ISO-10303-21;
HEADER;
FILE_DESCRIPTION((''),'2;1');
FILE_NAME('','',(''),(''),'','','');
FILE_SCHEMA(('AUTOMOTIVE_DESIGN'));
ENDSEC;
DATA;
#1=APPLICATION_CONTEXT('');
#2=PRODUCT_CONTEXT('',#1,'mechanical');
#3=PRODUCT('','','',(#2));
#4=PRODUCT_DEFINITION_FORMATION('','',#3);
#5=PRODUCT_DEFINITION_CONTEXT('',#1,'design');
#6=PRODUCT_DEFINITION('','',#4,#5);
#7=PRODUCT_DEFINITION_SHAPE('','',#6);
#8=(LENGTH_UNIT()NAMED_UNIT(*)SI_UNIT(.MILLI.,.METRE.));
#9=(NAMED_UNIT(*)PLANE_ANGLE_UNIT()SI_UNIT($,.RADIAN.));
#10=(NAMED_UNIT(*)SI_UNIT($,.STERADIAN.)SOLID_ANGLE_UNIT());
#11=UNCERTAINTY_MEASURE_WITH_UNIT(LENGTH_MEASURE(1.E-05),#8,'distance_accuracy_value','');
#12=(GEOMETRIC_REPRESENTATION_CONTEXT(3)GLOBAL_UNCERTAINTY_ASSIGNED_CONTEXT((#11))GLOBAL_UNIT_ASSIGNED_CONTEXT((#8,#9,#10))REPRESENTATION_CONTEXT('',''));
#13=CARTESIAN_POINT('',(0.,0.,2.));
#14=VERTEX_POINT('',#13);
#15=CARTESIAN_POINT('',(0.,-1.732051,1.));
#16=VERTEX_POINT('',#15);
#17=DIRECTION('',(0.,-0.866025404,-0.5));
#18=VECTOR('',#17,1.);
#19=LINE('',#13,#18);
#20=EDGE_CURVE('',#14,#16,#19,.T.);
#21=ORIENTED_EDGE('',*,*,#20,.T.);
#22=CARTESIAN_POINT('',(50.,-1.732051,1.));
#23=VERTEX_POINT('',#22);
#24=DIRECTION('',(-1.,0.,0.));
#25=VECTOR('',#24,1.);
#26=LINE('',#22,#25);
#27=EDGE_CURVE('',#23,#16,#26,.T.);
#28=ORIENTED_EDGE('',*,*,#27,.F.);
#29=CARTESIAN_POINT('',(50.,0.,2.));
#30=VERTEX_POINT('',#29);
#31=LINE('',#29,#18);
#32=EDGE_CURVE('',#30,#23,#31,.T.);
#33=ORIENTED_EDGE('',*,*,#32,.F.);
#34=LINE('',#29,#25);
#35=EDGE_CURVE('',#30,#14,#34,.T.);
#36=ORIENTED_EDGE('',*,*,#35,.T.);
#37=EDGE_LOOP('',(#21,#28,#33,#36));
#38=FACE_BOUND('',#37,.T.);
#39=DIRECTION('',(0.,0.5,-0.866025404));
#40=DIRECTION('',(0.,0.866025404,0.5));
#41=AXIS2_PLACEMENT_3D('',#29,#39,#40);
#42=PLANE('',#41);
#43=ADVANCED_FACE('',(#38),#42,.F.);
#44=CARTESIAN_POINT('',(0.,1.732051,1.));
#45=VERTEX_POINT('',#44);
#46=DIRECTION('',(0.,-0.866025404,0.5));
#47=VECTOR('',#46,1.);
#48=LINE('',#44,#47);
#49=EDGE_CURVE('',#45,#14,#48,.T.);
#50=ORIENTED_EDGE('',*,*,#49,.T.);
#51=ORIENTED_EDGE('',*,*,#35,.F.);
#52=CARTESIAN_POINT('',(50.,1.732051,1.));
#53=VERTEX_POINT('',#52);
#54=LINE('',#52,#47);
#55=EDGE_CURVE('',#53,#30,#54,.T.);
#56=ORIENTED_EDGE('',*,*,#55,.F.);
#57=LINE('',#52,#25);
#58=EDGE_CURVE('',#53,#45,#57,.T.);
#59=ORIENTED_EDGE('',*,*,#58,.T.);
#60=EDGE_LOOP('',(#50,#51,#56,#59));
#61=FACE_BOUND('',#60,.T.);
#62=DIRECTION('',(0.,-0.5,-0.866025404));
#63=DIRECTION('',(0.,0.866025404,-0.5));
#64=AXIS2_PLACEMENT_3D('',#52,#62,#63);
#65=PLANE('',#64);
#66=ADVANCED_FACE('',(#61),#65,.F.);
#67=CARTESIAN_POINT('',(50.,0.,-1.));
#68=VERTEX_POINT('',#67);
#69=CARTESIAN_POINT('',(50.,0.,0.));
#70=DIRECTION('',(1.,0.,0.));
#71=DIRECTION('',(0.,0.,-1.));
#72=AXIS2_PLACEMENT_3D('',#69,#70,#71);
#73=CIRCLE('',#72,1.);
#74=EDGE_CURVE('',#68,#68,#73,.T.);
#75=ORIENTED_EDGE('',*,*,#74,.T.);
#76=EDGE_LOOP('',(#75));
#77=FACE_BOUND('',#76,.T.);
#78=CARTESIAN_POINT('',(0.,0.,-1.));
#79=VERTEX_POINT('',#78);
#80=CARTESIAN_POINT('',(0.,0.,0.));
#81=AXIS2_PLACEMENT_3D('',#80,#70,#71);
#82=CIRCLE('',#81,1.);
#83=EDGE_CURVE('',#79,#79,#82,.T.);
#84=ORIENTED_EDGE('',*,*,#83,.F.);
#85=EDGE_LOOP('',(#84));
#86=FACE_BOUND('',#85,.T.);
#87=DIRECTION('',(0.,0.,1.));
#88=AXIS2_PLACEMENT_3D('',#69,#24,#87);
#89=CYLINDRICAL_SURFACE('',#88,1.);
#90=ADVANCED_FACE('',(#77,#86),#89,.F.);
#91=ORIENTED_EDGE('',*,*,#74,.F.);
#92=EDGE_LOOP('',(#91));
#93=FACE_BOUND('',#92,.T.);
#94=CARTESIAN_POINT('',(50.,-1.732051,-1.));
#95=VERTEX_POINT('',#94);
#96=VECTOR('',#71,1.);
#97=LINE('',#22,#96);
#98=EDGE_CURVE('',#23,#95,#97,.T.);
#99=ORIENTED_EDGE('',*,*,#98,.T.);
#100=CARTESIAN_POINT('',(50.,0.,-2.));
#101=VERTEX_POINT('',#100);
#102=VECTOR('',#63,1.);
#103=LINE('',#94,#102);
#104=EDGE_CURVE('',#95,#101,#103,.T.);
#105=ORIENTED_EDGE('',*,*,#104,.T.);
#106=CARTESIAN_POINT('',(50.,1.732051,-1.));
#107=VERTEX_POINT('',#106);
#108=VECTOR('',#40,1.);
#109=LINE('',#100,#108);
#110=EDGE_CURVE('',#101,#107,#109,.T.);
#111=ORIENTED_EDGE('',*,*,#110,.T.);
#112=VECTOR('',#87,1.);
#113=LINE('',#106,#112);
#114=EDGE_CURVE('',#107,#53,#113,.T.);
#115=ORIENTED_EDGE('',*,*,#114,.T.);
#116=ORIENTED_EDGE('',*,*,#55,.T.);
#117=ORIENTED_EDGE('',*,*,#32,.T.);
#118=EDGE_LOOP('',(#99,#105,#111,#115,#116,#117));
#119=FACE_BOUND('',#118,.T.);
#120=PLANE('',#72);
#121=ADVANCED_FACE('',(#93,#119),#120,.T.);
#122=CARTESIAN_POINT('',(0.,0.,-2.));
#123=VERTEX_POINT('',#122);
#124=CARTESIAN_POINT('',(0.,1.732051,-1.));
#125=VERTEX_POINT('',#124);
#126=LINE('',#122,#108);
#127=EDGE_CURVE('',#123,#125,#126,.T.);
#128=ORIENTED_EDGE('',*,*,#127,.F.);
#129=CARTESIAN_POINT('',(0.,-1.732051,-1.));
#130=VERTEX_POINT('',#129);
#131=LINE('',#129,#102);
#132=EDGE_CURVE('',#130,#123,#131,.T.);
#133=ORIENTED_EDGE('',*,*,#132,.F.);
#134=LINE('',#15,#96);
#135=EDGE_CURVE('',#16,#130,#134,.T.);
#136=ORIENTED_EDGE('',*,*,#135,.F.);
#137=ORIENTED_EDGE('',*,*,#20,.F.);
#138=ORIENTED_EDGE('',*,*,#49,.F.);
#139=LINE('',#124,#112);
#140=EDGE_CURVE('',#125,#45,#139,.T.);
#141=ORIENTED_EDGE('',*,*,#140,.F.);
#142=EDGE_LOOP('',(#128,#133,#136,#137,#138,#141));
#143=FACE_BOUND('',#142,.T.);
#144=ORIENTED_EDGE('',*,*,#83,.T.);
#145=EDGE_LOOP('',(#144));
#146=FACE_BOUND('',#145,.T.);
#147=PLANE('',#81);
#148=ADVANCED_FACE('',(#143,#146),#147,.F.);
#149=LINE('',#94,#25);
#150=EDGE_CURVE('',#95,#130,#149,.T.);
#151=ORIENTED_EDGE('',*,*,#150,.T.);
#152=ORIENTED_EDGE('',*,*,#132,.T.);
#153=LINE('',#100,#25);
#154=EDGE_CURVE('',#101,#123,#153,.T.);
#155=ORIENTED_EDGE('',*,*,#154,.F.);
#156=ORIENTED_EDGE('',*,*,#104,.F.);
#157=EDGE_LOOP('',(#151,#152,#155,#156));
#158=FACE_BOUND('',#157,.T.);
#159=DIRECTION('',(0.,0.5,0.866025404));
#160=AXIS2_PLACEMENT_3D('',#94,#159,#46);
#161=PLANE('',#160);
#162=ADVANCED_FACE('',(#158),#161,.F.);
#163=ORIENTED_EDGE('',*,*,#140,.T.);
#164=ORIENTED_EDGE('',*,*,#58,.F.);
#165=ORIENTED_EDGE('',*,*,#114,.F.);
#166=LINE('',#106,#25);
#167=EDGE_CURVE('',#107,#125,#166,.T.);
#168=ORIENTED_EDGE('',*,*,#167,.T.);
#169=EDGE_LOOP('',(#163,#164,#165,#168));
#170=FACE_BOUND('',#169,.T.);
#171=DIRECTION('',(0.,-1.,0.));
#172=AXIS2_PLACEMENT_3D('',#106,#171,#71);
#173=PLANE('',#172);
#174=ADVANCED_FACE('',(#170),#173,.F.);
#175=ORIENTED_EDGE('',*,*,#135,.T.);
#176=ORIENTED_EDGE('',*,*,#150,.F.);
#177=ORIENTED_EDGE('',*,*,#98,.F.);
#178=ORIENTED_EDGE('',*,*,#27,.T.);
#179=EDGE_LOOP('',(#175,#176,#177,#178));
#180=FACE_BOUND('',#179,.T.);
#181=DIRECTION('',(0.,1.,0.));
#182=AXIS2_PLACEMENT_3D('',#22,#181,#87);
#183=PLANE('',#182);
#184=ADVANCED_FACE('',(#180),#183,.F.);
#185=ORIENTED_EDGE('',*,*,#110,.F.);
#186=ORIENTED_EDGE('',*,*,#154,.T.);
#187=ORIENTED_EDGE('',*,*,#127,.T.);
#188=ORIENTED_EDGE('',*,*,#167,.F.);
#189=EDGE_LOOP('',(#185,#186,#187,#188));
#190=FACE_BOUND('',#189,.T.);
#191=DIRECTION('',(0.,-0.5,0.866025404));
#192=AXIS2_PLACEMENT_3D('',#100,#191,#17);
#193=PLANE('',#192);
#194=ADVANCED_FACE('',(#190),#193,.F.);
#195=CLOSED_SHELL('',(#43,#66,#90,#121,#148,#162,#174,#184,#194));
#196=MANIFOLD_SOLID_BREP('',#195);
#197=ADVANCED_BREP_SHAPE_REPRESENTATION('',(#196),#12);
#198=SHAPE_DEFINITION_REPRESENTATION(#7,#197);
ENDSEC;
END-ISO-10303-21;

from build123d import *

# Parameters (mm, degrees)
SKETCH1_R           = 1
BOSS_EXTRUDE1_DEPTH = 50


with BuildPart() as part:
    # Sketch1 → Boss-Extrude1 (new body)
    with BuildSketch(Plane(origin=(0, 0, 0), x_dir=(0, 0, -1), z_dir=(1, 0, 0))):
        Polygon((1, 1.732050808), (-1, 1.732050808), (-2, 0), (-1, -1.732050808), (1, -1.732050808), (2, 0), align=None)
        Circle(SKETCH1_R, mode=Mode.SUBTRACT)
    extrude(amount=BOSS_EXTRUDE1_DEPTH)


solid = part.part
